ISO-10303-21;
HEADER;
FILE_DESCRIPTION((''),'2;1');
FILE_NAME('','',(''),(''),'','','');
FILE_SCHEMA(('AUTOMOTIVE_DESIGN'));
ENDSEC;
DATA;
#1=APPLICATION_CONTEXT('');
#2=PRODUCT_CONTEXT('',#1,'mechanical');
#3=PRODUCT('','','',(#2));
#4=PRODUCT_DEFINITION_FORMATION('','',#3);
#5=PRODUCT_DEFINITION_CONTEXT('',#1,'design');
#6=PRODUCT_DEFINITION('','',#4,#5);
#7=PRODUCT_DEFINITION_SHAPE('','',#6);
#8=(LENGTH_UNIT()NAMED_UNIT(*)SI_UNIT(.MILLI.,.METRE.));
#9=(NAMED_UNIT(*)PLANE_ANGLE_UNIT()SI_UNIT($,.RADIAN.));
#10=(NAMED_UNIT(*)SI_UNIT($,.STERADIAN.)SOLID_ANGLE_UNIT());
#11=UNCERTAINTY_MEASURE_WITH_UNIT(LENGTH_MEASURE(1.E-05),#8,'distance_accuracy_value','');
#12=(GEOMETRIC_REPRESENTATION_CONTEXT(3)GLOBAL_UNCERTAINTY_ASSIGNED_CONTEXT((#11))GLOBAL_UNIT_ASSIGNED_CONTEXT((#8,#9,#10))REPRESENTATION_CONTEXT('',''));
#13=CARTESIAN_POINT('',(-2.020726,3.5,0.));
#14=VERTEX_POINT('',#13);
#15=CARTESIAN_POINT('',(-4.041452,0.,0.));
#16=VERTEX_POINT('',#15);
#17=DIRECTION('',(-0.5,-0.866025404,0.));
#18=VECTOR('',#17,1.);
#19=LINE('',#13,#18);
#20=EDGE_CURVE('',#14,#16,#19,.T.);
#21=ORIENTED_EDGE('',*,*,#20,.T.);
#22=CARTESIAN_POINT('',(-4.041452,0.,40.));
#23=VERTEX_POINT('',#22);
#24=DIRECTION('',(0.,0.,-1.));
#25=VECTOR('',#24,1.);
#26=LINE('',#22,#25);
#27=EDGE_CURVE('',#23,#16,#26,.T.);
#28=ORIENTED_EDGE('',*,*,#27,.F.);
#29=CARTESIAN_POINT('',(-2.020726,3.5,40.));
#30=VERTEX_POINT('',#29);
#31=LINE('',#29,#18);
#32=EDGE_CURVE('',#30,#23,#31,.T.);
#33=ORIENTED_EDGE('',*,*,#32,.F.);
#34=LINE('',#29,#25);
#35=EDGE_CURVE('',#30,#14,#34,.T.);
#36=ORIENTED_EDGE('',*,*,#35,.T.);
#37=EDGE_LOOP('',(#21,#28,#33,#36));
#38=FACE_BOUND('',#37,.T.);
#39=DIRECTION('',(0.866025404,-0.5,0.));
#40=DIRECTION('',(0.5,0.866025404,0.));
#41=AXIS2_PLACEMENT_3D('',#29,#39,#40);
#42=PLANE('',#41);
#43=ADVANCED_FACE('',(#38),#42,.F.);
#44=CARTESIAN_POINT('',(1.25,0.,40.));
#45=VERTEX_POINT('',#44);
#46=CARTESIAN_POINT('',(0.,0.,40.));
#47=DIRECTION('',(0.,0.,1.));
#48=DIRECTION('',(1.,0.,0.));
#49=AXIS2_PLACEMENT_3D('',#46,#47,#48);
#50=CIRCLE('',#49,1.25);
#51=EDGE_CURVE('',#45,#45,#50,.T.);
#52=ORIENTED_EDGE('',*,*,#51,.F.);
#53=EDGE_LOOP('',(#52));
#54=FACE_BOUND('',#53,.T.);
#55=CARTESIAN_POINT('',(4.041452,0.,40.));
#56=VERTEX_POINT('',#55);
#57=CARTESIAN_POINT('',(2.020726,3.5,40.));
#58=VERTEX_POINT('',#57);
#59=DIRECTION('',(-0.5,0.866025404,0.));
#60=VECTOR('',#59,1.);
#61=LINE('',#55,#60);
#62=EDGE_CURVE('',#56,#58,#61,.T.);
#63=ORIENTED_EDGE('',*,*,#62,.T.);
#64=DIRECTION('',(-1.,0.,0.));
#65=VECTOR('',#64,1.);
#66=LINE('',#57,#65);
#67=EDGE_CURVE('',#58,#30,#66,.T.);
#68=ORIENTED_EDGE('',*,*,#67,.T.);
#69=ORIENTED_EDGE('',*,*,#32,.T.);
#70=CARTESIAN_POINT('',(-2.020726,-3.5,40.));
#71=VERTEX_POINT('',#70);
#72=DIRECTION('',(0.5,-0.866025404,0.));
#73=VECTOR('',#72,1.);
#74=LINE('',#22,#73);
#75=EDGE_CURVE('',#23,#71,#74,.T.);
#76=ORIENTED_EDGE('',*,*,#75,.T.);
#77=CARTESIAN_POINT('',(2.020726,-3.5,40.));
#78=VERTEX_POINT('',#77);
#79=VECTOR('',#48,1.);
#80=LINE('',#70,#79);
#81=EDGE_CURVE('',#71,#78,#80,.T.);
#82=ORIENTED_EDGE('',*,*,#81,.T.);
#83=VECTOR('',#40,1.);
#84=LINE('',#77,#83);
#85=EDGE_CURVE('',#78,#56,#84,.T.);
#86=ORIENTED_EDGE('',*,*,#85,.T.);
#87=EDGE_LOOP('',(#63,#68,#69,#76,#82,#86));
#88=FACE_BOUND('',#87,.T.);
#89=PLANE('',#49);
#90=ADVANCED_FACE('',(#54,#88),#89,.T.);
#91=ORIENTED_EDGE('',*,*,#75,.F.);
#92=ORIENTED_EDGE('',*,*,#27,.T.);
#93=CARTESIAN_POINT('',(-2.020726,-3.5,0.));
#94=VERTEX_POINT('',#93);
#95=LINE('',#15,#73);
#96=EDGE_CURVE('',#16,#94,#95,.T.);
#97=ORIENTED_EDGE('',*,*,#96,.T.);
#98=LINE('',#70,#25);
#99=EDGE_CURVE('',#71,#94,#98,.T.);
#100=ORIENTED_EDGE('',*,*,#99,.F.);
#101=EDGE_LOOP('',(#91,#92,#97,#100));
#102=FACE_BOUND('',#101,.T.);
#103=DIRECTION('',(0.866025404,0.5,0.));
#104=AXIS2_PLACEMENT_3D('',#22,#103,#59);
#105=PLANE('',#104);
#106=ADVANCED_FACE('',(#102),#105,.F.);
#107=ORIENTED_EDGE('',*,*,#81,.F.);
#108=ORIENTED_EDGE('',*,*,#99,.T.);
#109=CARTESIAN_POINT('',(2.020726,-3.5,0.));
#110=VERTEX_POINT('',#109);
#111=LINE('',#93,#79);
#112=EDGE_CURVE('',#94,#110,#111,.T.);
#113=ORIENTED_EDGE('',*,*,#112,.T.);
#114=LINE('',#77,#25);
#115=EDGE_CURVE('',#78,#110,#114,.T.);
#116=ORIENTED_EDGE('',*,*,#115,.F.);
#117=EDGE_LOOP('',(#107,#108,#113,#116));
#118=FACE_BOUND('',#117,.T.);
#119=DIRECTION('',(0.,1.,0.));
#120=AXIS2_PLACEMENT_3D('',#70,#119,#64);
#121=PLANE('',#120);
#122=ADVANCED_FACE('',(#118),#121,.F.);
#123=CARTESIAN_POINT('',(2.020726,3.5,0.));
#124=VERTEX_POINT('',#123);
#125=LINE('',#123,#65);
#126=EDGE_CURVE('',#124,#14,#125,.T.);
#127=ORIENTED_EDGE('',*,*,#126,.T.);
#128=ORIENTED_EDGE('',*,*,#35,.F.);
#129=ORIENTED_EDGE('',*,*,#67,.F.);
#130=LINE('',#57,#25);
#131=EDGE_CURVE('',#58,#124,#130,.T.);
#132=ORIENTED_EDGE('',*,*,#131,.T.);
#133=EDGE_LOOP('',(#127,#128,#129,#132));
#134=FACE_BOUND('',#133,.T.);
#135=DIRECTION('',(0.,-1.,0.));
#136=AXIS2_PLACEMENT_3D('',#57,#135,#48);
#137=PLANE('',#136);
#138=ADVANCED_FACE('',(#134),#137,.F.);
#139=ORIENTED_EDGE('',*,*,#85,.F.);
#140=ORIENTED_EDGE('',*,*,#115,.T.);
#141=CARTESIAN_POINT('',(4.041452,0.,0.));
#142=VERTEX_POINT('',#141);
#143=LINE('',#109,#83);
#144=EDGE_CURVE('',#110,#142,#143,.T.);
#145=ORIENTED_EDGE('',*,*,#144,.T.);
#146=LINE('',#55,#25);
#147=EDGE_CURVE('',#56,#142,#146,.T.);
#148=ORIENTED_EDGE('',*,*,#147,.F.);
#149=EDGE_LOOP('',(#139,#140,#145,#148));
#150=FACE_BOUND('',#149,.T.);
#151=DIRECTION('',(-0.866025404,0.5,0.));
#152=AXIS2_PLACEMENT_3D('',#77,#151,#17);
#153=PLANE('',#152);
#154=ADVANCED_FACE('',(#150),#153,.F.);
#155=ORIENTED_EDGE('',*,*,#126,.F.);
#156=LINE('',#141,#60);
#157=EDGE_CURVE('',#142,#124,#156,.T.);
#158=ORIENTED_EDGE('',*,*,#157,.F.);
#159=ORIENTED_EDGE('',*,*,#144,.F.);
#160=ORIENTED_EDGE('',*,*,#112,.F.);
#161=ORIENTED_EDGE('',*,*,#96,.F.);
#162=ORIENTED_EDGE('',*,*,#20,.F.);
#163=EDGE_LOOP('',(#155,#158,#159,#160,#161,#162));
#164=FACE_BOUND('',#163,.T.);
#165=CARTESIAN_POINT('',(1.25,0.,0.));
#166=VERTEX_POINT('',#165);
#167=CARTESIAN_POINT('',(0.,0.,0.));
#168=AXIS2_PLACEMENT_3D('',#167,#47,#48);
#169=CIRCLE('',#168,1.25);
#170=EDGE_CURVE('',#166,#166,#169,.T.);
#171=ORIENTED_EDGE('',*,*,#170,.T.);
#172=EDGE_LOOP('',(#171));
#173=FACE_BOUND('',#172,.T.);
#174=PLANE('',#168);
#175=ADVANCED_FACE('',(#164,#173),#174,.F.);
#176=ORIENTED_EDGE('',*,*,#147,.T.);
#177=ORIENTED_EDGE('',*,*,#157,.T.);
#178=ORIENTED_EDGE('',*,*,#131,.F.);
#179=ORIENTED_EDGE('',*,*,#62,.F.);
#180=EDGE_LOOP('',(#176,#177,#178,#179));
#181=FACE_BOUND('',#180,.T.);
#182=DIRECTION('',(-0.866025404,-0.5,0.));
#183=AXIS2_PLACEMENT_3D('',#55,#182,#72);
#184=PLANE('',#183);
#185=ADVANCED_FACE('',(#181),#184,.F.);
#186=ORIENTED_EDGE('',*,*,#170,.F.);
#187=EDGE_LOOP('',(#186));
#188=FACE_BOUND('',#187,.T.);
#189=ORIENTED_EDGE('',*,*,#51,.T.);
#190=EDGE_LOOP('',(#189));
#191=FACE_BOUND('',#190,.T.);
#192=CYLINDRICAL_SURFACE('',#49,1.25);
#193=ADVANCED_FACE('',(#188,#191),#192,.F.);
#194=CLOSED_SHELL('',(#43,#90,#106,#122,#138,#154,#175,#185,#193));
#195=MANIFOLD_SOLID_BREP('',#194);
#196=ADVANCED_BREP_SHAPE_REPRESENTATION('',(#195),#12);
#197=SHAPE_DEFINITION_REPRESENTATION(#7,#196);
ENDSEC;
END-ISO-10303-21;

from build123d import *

# Parameters (mm, degrees)
EXTRUDE_1_DEPTH = 40
M3X0_5_1_D      = 2.5


with BuildPart() as part:
    # 草圖1 → 填料-伸長1 (new body)
    with BuildSketch(Plane.XY):
        Polygon((-2.020725942, 3.5), (-4.041451884, 0), (-2.020725942, -3.5), (2.020725942, -3.5), (4.041451884, 0), (2.020725942, 3.5), align=None)
    extrude(amount=EXTRUDE_1_DEPTH)

    # M3x0.5 螺紋孔1 (through all)
    with Locations(Plane.XY.offset(40)):
        with Locations((0, 0)):
            Hole(M3X0_5_1_D / 2)


solid = part.part
